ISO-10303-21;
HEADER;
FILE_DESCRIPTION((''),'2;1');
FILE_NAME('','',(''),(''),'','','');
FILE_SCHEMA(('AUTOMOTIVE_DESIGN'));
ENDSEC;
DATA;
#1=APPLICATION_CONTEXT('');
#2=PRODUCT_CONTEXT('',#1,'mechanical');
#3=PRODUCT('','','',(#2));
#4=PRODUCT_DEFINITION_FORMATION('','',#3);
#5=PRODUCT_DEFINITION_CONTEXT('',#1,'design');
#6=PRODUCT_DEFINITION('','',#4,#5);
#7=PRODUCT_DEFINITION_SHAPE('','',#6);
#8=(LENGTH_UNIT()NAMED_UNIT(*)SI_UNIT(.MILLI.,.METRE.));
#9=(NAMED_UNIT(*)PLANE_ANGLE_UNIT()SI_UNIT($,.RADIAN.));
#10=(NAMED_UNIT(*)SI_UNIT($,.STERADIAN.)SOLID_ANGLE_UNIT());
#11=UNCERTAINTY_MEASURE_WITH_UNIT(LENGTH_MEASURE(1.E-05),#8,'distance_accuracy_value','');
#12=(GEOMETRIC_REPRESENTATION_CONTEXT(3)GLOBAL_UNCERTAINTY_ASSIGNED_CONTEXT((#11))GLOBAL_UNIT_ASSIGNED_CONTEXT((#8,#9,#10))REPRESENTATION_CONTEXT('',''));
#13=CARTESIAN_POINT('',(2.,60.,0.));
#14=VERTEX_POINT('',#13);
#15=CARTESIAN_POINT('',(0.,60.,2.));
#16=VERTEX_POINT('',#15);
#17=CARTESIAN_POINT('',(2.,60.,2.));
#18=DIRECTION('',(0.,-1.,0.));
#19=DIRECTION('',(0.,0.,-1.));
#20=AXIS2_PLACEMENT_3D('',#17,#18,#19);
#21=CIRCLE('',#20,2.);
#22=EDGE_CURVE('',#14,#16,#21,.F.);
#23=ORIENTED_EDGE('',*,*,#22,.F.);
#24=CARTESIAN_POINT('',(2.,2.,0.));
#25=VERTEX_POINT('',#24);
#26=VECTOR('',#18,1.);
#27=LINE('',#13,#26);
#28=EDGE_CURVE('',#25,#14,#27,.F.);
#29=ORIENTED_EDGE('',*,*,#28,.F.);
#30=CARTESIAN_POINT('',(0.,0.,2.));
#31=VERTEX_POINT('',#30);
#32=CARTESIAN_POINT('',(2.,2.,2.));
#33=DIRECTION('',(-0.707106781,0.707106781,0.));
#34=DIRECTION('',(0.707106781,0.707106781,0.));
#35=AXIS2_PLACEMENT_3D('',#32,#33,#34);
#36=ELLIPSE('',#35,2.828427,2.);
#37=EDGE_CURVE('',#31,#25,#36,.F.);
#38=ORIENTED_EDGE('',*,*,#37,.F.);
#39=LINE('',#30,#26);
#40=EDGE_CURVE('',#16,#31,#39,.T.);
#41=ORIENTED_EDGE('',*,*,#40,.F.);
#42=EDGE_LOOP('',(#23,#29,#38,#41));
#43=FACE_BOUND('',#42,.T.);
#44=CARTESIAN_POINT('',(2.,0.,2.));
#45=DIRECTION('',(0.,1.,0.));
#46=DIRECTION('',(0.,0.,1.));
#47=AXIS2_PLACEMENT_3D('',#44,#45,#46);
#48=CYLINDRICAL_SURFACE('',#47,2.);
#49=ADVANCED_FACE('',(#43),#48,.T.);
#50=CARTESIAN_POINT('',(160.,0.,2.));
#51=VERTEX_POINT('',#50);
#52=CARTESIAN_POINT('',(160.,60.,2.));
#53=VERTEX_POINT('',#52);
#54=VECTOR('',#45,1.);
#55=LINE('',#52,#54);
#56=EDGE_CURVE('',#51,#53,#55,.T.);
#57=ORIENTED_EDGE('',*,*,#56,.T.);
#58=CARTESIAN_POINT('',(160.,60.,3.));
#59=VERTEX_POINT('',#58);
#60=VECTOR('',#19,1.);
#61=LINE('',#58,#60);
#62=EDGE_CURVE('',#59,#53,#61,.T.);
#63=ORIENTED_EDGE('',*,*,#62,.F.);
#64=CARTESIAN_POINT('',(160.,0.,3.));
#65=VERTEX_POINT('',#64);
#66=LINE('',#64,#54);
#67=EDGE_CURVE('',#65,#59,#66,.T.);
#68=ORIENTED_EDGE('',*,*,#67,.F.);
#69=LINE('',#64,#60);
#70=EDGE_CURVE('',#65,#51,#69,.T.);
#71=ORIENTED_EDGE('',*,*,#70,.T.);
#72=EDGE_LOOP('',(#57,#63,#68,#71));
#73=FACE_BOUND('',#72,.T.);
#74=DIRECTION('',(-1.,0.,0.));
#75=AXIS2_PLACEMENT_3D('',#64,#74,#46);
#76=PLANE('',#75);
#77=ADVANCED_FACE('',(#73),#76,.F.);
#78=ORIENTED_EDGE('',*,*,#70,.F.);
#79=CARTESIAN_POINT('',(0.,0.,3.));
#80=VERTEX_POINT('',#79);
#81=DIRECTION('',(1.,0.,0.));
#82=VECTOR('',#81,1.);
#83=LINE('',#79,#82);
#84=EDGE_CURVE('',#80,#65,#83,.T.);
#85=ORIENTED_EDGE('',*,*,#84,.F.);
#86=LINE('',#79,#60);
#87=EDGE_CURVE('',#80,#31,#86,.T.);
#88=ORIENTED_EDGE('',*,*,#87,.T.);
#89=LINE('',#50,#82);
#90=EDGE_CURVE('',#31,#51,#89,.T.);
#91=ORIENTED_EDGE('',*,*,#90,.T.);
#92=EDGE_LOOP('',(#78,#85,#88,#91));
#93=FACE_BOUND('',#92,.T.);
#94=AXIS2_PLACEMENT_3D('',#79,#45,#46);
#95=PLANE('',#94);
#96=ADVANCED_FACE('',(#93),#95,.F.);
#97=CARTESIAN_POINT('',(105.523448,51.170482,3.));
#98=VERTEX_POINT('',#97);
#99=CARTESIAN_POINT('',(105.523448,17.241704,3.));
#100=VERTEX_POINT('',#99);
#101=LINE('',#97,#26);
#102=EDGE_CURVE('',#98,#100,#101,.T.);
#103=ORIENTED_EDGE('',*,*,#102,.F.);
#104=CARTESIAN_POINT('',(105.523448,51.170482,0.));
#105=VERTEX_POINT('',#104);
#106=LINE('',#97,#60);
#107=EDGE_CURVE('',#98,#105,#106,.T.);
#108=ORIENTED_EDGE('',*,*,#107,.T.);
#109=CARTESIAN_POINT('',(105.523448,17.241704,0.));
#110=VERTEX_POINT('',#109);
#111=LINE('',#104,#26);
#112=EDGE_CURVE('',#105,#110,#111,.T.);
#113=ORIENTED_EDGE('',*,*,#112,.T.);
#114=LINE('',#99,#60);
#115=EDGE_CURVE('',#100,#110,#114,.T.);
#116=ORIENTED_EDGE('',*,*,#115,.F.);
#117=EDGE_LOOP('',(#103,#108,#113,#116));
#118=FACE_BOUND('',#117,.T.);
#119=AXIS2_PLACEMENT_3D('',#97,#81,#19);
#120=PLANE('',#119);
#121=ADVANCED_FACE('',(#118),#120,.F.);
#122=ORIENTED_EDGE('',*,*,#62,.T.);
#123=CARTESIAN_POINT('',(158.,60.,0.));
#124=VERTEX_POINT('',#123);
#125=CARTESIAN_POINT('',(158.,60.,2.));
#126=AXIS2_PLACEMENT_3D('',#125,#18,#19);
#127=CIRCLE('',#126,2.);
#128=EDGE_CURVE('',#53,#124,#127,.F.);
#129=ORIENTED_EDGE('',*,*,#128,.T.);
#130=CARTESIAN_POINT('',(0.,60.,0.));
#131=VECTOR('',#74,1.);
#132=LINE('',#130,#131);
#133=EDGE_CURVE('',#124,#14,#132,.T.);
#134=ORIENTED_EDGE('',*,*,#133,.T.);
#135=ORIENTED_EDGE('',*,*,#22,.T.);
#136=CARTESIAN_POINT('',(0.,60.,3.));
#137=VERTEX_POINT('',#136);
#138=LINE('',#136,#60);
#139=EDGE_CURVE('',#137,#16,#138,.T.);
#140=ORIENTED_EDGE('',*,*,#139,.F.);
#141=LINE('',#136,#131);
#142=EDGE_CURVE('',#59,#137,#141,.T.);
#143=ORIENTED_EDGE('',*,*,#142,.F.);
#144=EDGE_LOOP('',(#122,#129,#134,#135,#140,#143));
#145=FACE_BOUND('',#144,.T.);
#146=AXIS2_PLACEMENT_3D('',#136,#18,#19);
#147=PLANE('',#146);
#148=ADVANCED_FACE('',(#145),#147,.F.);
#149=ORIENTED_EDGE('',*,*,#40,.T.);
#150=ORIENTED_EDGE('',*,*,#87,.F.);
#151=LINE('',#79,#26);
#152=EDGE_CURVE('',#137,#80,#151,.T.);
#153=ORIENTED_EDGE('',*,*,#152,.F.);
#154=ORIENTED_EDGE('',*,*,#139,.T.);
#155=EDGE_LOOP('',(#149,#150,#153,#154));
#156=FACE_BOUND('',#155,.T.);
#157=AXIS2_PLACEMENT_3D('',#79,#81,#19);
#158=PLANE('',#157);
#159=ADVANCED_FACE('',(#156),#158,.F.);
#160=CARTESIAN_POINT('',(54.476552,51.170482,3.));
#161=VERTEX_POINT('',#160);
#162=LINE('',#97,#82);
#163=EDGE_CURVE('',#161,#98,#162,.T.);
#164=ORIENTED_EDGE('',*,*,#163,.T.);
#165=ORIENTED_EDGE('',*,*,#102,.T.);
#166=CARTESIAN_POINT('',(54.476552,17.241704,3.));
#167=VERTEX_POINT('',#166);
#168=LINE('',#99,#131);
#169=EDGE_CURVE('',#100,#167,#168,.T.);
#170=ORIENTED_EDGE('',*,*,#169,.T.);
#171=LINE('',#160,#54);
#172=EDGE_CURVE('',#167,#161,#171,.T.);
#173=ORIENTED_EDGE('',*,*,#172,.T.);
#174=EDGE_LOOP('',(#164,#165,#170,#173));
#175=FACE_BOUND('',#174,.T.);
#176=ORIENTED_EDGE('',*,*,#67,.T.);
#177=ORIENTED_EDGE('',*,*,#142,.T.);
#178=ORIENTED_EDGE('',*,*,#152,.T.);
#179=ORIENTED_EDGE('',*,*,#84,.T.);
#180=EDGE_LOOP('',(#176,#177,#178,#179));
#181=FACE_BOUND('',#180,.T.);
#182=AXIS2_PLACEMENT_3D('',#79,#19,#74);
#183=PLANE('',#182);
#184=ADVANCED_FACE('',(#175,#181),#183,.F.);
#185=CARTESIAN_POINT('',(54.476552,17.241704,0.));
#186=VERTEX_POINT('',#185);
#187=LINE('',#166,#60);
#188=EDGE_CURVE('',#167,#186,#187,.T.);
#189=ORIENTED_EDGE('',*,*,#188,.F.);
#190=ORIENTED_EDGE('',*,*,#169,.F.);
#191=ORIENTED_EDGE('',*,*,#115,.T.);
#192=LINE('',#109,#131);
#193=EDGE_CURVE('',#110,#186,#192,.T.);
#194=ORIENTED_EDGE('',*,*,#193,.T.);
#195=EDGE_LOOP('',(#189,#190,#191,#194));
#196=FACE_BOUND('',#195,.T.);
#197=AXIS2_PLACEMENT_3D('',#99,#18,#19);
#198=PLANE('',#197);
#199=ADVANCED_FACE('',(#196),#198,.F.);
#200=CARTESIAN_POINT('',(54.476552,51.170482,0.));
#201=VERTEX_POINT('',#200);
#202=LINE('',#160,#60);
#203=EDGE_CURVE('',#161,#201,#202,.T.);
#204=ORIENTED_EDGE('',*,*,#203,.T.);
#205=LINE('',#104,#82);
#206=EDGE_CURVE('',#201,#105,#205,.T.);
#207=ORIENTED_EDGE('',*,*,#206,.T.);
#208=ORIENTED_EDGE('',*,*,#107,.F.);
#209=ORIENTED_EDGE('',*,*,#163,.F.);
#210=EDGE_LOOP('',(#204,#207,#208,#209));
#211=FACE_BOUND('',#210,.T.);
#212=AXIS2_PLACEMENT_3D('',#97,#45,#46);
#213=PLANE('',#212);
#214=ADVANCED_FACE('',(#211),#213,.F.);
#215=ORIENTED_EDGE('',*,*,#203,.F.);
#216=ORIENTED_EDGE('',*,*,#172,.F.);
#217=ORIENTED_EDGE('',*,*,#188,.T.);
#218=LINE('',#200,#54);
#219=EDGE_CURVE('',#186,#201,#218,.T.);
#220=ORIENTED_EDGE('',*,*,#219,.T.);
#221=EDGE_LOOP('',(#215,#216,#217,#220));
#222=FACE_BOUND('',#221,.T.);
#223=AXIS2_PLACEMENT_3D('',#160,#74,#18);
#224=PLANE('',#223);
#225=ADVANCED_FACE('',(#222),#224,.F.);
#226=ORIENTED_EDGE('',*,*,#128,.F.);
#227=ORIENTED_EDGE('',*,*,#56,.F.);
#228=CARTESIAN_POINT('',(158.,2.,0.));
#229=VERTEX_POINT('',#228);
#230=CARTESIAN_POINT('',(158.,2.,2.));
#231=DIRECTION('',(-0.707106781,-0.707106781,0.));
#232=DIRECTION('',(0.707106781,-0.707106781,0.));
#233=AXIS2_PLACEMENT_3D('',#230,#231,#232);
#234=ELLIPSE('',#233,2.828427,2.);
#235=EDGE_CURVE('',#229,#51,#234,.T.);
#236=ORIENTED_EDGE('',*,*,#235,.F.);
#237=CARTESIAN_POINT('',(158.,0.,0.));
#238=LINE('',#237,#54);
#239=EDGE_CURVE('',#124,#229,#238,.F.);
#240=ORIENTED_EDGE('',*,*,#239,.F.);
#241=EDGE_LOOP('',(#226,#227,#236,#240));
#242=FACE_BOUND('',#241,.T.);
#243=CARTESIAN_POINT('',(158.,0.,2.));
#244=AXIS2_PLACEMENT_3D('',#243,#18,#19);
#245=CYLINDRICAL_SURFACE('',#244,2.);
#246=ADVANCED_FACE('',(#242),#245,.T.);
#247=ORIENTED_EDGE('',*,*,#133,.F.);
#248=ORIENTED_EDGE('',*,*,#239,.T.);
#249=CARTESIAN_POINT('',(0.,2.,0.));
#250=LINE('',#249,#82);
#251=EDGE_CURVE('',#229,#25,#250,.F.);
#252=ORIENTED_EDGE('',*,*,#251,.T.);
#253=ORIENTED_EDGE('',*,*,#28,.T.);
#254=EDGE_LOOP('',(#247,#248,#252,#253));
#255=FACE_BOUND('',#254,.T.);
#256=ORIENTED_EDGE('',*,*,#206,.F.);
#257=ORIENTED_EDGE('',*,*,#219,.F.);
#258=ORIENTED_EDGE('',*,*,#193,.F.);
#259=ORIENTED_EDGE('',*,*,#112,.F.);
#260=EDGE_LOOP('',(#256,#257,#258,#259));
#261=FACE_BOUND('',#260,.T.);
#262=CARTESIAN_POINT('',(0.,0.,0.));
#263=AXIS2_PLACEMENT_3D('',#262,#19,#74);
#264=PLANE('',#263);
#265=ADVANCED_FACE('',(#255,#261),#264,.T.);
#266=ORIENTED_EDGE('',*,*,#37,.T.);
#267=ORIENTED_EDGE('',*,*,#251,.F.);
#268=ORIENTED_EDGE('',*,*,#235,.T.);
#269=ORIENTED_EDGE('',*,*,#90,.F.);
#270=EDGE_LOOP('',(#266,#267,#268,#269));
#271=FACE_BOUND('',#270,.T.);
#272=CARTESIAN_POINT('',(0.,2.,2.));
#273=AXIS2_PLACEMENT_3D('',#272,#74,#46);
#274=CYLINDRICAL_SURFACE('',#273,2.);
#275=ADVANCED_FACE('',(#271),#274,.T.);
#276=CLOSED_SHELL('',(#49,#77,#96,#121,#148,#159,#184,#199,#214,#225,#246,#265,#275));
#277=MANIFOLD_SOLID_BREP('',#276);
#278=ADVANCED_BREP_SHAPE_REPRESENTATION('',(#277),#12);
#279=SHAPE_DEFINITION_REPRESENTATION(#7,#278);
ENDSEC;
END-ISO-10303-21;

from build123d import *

# Parameters (mm, degrees)
SKETCH1_W           = 160
SKETCH1_H           = 60
BOSS_EXTRUDE1_DEPTH = 3
SKETCH2_W           = 51.046896962
SKETCH2_H           = 33.928778657
CUT_EXTRUDE1_DEPTH  = 171.906407136
FILLET1_R           = 2


with BuildPart() as part:
    # Sketch1 → Boss-Extrude1 (new body)
    with BuildSketch(Plane.XY):
        with Locations((80, 30)):
            Rectangle(SKETCH1_W, SKETCH1_H)
    extrude(amount=BOSS_EXTRUDE1_DEPTH)

    # Sketch2 → Cut-Extrude1 (cut, through all)
    with BuildSketch(Plane(origin=(0, 0, 0), x_dir=(-1, 0, 0), z_dir=(0, 0, -1))):
        with Locations((-80, 34.206093002)):
            Rectangle(SKETCH2_W, SKETCH2_H)
    extrude(amount=-CUT_EXTRUDE1_DEPTH, mode=Mode.SUBTRACT)

    # Fillet1
    fillet1_edges = [part.edges().sort_by_distance(p)[0] for p in [
        (160, 30, 0),
        (80, 0, 0),
        (0, 30, 0),
    ]]
    fillet(fillet1_edges, radius=FILLET1_R)


solid = part.part
